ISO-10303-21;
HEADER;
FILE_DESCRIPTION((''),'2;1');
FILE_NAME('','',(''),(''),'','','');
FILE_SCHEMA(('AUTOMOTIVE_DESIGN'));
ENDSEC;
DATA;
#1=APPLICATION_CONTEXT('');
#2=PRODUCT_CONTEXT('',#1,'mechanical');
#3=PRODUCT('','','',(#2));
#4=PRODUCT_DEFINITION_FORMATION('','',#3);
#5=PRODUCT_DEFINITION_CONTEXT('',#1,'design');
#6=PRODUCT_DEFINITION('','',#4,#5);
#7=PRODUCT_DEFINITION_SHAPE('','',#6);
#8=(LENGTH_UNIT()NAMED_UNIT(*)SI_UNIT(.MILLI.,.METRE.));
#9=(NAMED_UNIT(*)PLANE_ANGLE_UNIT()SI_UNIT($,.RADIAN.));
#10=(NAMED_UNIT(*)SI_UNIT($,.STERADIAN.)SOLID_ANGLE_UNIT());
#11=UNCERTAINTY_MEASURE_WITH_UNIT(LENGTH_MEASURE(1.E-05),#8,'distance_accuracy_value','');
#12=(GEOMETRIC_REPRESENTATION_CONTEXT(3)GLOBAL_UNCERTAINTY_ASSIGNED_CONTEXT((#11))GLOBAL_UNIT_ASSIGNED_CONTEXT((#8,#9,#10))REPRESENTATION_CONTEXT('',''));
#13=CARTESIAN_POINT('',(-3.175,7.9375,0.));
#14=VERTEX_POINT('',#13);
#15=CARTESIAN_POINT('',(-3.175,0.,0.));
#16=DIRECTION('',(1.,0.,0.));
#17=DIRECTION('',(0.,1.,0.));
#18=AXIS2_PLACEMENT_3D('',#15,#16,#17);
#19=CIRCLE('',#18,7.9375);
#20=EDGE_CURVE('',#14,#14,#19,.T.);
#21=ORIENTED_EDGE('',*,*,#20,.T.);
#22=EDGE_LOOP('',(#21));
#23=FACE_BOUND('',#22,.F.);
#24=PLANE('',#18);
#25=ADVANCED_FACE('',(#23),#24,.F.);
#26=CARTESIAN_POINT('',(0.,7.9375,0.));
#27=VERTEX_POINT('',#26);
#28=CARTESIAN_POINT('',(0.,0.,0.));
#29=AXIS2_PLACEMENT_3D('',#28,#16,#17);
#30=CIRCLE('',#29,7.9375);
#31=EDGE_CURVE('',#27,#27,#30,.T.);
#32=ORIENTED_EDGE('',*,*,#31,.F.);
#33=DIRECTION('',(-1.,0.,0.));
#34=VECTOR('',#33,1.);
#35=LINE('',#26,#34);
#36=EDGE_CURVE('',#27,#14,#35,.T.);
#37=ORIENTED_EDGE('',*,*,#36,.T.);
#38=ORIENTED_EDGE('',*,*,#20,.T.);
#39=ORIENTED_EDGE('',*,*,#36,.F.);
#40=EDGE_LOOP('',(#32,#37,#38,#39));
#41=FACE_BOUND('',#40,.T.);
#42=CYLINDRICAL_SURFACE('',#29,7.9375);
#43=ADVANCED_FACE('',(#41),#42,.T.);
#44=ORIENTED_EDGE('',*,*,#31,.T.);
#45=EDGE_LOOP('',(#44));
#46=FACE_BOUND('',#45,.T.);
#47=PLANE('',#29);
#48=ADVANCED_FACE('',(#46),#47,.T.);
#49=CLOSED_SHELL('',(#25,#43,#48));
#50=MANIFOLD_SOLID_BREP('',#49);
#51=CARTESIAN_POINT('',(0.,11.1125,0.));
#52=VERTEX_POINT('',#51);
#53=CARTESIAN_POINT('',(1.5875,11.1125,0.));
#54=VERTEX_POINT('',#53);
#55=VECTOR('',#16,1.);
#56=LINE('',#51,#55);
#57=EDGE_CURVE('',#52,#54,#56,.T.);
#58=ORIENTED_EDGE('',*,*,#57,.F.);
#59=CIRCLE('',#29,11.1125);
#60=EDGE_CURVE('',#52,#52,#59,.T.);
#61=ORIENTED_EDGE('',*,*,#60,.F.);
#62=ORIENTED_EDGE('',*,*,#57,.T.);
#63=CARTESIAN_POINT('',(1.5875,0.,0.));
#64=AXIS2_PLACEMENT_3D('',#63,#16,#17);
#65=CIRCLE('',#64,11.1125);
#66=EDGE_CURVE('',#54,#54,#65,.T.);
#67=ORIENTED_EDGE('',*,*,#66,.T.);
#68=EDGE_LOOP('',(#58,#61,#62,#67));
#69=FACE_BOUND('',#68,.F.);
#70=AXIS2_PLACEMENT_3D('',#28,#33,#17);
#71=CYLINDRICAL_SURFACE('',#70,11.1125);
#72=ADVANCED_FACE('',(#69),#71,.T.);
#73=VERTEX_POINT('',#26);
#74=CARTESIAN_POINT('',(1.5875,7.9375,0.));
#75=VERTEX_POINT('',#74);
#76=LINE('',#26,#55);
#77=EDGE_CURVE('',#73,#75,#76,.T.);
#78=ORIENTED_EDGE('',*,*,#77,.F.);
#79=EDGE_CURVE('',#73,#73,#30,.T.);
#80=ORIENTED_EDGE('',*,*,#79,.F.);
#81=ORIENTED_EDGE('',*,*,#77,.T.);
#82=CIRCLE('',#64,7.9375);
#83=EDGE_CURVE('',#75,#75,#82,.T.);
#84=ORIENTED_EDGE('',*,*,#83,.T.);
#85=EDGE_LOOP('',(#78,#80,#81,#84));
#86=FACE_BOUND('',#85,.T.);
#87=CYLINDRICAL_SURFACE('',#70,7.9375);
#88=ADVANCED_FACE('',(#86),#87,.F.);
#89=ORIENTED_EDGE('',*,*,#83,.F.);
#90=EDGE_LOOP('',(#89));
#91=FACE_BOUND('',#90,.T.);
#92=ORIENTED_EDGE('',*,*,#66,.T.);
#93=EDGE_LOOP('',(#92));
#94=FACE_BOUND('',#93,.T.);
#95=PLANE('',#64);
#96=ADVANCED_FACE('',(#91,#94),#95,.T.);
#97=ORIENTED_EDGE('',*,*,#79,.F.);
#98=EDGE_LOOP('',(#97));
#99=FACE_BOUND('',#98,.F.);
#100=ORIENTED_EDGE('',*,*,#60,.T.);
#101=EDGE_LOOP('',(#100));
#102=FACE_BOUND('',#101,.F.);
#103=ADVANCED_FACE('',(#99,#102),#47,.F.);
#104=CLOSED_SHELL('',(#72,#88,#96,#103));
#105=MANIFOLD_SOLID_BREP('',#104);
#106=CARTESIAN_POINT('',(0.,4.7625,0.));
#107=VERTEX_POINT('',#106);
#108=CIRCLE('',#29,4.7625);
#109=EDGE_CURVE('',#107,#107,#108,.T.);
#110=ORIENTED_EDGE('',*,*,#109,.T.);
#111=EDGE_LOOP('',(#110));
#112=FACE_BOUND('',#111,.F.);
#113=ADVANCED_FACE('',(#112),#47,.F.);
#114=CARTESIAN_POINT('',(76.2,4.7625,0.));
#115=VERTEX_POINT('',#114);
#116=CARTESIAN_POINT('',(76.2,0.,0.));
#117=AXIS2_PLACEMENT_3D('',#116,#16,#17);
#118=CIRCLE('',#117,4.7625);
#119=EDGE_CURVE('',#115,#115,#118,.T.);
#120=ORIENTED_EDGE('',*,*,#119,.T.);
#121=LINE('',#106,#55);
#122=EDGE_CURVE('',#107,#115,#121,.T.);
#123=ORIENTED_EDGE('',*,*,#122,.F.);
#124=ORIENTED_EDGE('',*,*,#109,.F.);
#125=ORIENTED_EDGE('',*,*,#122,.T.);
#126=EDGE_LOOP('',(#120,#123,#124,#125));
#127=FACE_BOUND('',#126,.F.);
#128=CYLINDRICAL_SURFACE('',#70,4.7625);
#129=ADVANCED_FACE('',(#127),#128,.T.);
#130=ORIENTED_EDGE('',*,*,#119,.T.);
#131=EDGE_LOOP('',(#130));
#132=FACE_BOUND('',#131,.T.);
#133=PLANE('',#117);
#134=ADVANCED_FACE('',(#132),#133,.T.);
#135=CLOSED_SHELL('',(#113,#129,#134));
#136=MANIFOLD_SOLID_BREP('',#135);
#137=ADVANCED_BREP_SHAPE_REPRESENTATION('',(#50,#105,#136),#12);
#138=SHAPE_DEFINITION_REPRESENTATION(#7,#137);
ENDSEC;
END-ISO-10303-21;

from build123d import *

# Parameters (mm, degrees)
F0_R     = 4.7625
F1_DEPTH = 76.2
F2_R     = 11.1125
F2_R_2   = 7.9375
F3_DEPTH = 1.5875
F4_DEPTH = 3.175


with BuildPart() as f1:
    # F0 (on Right) → F1 (new body)
    with BuildSketch(Plane.YZ):
        Circle(F0_R)
    extrude(amount=F1_DEPTH)


with BuildPart() as f3:
    # F2 (on Right) → F3 (new body)
    with BuildSketch(Plane.YZ):
        Circle(F2_R)
        Circle(F2_R_2, mode=Mode.SUBTRACT)
    extrude(amount=F3_DEPTH)


with BuildPart() as f4:
    # F2 (on Right) → F4 (new body)
    with BuildSketch(Plane.YZ):
        Circle(F2_R_2)
    extrude(amount=-F4_DEPTH)


solid = Compound([f1.part, f3.part, f4.part])
